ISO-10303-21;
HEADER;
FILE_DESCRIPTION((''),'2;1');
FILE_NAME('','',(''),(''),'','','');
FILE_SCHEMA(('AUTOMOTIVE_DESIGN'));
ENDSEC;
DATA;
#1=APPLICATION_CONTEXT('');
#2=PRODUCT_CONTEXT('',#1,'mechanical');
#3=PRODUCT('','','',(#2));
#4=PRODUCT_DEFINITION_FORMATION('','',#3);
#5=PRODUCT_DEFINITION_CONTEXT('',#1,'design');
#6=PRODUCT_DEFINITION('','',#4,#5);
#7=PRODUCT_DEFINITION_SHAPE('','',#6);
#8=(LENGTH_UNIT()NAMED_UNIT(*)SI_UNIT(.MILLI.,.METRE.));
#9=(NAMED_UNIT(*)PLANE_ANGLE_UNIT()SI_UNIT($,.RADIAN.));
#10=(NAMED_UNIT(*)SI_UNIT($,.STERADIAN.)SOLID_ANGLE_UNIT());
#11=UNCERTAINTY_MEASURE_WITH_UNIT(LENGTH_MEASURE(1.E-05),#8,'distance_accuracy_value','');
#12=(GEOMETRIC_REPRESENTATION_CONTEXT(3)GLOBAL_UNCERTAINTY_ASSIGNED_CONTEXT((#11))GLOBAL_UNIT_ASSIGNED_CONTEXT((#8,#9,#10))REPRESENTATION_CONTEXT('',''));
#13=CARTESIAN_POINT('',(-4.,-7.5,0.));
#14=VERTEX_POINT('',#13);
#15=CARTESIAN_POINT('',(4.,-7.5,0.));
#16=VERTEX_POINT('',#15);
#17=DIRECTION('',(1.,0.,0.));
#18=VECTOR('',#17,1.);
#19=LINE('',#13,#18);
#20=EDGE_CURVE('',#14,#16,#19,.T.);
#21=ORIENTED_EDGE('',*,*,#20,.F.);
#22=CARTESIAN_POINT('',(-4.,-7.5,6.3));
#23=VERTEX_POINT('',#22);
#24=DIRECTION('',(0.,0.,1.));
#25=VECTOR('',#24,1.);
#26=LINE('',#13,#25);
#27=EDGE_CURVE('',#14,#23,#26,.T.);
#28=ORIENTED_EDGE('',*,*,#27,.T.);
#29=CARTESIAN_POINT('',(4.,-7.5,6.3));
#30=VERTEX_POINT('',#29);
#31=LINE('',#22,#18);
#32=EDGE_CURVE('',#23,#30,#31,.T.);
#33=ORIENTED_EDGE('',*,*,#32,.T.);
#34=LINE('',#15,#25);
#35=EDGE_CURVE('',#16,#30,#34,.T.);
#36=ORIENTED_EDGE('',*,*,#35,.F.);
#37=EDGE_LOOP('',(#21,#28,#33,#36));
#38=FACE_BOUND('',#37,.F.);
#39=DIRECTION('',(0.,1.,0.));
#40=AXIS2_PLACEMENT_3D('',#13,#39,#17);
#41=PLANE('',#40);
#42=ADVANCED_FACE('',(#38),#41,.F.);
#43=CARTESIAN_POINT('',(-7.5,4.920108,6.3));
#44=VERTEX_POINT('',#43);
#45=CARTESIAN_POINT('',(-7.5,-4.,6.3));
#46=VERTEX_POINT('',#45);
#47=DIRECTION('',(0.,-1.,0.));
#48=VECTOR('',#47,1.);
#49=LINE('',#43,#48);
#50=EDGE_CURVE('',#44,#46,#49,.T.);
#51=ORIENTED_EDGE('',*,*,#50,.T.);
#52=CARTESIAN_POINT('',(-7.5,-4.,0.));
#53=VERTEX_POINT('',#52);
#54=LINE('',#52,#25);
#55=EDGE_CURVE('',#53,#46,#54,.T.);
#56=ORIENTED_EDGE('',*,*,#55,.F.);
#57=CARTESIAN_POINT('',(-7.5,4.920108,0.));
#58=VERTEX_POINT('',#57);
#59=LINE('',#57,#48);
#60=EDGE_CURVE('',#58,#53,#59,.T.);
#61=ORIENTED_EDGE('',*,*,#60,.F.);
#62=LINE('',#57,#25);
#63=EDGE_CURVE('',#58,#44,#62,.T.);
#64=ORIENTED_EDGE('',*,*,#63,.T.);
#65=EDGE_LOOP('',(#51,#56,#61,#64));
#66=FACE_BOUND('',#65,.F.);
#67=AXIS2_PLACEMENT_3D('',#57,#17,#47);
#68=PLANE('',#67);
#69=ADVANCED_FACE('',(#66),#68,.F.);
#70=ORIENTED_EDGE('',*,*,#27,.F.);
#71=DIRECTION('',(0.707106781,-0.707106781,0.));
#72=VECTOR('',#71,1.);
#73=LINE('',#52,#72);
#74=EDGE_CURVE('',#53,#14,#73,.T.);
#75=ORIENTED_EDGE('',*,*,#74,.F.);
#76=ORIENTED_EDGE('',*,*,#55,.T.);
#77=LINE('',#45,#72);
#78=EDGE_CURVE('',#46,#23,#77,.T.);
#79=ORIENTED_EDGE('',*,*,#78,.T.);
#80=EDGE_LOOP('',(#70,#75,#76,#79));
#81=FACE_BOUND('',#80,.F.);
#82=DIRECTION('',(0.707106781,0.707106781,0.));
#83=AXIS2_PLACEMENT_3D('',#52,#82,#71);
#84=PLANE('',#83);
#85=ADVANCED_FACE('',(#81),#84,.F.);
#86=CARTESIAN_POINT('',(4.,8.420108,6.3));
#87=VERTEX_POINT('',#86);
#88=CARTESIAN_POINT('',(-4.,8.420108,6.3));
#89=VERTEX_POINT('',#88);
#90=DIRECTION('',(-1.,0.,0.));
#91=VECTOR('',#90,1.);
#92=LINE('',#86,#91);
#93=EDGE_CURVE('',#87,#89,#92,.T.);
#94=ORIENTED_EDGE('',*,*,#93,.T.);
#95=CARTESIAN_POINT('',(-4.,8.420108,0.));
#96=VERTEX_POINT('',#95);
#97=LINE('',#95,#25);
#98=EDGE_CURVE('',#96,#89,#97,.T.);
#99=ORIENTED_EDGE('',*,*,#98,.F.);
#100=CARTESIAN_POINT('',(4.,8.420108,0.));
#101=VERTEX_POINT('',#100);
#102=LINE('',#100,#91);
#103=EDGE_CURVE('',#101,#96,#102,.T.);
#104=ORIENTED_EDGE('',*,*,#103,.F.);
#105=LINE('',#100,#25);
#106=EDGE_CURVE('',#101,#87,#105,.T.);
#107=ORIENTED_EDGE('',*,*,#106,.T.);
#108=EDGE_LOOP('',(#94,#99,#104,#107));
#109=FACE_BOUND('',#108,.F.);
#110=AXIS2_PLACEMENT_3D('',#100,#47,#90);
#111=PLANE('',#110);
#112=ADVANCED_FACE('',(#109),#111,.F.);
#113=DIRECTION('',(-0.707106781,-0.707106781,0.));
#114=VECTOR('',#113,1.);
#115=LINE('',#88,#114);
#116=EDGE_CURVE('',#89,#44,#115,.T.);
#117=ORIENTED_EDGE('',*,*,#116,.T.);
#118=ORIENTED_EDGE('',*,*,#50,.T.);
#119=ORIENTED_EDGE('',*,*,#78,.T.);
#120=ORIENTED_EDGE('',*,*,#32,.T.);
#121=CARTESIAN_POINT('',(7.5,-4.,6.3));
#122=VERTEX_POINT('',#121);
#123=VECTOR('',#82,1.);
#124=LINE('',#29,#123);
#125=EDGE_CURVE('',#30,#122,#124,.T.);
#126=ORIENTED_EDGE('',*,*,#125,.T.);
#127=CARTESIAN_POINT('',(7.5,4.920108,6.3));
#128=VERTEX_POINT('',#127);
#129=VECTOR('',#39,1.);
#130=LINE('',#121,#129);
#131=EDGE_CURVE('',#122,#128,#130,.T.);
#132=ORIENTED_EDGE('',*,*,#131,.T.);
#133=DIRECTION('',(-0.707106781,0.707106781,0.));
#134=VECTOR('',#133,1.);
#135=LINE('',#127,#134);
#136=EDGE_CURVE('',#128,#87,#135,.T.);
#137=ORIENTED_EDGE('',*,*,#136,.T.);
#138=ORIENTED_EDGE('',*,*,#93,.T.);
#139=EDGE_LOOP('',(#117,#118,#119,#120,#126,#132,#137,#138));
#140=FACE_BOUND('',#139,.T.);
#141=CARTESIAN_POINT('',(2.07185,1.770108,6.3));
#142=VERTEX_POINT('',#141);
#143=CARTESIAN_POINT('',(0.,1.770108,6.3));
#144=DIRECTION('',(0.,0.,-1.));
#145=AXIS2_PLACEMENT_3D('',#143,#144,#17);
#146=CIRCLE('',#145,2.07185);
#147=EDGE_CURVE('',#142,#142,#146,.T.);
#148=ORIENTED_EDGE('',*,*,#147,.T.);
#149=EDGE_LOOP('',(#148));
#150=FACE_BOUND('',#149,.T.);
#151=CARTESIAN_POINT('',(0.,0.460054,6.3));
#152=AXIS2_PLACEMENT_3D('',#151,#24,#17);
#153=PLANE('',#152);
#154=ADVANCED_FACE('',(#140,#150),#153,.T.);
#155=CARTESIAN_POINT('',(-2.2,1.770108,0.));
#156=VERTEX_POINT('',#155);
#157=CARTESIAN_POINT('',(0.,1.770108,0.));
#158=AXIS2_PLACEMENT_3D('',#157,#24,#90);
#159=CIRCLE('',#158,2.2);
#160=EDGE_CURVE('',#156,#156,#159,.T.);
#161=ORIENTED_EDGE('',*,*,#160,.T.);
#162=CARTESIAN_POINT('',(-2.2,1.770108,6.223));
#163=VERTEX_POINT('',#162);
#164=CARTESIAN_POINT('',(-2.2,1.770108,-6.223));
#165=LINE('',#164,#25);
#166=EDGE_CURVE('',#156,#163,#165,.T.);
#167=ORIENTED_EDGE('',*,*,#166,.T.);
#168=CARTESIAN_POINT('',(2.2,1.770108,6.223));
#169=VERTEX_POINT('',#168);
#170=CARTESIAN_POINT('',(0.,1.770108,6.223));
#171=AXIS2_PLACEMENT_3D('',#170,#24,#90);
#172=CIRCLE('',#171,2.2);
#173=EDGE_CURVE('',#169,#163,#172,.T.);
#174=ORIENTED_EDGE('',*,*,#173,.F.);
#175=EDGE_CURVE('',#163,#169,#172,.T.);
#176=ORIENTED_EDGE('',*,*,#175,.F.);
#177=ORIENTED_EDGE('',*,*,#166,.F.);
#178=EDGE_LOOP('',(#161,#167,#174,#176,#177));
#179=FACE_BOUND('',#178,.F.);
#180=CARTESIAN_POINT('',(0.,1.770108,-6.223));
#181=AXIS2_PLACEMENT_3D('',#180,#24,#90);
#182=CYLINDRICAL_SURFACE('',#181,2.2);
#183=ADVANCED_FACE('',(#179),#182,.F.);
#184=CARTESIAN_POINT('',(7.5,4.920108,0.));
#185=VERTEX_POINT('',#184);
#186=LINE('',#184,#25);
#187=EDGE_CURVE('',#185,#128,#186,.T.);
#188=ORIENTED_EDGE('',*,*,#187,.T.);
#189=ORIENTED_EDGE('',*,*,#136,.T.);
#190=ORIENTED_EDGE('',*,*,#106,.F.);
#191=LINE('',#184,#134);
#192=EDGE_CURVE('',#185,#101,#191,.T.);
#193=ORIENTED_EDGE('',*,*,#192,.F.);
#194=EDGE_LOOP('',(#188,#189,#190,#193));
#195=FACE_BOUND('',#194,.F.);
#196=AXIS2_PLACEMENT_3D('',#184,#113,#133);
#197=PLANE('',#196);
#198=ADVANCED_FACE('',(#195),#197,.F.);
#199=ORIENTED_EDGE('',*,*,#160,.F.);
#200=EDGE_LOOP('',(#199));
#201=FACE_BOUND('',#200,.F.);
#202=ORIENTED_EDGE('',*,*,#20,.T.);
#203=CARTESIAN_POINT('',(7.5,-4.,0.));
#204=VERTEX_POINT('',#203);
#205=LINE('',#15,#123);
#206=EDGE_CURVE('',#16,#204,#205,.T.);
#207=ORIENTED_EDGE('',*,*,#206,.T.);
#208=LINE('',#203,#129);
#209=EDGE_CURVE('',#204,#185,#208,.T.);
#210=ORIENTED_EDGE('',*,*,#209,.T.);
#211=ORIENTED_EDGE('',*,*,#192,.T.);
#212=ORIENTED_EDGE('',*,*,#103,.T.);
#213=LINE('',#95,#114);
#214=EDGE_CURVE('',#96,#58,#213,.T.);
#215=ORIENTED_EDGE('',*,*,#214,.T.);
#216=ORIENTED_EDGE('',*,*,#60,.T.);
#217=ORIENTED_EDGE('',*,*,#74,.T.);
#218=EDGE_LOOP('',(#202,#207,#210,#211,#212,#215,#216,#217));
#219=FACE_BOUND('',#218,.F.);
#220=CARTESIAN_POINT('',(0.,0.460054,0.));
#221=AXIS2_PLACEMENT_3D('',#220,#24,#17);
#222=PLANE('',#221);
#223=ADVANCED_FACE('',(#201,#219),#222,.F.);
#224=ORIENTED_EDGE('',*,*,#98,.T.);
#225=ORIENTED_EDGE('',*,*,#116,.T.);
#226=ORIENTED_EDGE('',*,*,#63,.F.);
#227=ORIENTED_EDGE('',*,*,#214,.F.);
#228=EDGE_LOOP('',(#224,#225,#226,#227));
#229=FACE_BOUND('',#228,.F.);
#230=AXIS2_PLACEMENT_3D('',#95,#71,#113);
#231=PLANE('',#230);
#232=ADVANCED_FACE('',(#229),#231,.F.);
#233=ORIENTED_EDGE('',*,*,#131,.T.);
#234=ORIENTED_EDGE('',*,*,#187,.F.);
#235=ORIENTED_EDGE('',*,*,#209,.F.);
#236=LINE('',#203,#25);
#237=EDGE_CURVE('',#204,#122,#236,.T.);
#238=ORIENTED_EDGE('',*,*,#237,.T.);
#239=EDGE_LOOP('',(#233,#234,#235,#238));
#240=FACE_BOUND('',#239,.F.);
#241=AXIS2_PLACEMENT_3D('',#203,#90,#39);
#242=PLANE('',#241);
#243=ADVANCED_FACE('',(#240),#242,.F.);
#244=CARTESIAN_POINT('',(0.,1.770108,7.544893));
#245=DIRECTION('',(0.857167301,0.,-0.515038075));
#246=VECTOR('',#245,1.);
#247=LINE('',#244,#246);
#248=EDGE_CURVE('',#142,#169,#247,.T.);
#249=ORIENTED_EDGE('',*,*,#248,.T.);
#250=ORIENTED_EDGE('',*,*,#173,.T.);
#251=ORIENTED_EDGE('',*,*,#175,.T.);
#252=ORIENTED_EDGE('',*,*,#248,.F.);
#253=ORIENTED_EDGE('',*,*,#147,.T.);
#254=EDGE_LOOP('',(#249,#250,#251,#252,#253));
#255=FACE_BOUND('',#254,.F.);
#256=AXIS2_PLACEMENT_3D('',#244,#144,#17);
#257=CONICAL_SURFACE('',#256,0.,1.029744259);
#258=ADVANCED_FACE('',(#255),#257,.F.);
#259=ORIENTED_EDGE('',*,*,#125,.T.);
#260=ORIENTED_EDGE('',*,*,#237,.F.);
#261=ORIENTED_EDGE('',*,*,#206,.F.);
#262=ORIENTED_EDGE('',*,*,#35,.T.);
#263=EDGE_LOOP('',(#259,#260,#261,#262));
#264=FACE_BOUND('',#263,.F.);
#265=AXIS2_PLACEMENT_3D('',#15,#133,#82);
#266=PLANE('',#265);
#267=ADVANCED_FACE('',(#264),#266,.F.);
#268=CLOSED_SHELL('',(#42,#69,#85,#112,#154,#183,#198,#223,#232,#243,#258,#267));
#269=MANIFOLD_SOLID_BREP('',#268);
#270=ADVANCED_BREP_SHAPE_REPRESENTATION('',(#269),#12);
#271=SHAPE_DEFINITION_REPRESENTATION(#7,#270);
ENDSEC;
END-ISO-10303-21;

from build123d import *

# Parameters (mm, degrees)
F1_DEPTH = 6.3
F3_D     = 4.4
F3_DEPTH = 6.223
F3_TIP   = 1.3218933619


with BuildPart() as f1:
    # F0 (on Top) → F1 (new body)
    with BuildSketch(Plane.XY):
        Polygon((4, 8.4201077782), (-4, 8.4201077782), (-7.5, 4.9201077782), (-7.5, -4), (-4, -7.5), (4, -7.5), (7.5, -4), (7.5, 4.9201077782), align=None)
    extrude(amount=F1_DEPTH)

    # F3
    with Locations(Plane(origin=(0, 0, 0), x_dir=(1, 0, 0), z_dir=(0, 0, -1))):
        with Locations((0, -1.7701077782)):
            Hole(F3_D / 2, depth=F3_DEPTH)
            with Locations((0, 0, -(F3_DEPTH + F3_TIP / 2))):  # 118° drill point
                Cone(0, F3_D / 2, F3_TIP, mode=Mode.SUBTRACT)


solid = f1.part
